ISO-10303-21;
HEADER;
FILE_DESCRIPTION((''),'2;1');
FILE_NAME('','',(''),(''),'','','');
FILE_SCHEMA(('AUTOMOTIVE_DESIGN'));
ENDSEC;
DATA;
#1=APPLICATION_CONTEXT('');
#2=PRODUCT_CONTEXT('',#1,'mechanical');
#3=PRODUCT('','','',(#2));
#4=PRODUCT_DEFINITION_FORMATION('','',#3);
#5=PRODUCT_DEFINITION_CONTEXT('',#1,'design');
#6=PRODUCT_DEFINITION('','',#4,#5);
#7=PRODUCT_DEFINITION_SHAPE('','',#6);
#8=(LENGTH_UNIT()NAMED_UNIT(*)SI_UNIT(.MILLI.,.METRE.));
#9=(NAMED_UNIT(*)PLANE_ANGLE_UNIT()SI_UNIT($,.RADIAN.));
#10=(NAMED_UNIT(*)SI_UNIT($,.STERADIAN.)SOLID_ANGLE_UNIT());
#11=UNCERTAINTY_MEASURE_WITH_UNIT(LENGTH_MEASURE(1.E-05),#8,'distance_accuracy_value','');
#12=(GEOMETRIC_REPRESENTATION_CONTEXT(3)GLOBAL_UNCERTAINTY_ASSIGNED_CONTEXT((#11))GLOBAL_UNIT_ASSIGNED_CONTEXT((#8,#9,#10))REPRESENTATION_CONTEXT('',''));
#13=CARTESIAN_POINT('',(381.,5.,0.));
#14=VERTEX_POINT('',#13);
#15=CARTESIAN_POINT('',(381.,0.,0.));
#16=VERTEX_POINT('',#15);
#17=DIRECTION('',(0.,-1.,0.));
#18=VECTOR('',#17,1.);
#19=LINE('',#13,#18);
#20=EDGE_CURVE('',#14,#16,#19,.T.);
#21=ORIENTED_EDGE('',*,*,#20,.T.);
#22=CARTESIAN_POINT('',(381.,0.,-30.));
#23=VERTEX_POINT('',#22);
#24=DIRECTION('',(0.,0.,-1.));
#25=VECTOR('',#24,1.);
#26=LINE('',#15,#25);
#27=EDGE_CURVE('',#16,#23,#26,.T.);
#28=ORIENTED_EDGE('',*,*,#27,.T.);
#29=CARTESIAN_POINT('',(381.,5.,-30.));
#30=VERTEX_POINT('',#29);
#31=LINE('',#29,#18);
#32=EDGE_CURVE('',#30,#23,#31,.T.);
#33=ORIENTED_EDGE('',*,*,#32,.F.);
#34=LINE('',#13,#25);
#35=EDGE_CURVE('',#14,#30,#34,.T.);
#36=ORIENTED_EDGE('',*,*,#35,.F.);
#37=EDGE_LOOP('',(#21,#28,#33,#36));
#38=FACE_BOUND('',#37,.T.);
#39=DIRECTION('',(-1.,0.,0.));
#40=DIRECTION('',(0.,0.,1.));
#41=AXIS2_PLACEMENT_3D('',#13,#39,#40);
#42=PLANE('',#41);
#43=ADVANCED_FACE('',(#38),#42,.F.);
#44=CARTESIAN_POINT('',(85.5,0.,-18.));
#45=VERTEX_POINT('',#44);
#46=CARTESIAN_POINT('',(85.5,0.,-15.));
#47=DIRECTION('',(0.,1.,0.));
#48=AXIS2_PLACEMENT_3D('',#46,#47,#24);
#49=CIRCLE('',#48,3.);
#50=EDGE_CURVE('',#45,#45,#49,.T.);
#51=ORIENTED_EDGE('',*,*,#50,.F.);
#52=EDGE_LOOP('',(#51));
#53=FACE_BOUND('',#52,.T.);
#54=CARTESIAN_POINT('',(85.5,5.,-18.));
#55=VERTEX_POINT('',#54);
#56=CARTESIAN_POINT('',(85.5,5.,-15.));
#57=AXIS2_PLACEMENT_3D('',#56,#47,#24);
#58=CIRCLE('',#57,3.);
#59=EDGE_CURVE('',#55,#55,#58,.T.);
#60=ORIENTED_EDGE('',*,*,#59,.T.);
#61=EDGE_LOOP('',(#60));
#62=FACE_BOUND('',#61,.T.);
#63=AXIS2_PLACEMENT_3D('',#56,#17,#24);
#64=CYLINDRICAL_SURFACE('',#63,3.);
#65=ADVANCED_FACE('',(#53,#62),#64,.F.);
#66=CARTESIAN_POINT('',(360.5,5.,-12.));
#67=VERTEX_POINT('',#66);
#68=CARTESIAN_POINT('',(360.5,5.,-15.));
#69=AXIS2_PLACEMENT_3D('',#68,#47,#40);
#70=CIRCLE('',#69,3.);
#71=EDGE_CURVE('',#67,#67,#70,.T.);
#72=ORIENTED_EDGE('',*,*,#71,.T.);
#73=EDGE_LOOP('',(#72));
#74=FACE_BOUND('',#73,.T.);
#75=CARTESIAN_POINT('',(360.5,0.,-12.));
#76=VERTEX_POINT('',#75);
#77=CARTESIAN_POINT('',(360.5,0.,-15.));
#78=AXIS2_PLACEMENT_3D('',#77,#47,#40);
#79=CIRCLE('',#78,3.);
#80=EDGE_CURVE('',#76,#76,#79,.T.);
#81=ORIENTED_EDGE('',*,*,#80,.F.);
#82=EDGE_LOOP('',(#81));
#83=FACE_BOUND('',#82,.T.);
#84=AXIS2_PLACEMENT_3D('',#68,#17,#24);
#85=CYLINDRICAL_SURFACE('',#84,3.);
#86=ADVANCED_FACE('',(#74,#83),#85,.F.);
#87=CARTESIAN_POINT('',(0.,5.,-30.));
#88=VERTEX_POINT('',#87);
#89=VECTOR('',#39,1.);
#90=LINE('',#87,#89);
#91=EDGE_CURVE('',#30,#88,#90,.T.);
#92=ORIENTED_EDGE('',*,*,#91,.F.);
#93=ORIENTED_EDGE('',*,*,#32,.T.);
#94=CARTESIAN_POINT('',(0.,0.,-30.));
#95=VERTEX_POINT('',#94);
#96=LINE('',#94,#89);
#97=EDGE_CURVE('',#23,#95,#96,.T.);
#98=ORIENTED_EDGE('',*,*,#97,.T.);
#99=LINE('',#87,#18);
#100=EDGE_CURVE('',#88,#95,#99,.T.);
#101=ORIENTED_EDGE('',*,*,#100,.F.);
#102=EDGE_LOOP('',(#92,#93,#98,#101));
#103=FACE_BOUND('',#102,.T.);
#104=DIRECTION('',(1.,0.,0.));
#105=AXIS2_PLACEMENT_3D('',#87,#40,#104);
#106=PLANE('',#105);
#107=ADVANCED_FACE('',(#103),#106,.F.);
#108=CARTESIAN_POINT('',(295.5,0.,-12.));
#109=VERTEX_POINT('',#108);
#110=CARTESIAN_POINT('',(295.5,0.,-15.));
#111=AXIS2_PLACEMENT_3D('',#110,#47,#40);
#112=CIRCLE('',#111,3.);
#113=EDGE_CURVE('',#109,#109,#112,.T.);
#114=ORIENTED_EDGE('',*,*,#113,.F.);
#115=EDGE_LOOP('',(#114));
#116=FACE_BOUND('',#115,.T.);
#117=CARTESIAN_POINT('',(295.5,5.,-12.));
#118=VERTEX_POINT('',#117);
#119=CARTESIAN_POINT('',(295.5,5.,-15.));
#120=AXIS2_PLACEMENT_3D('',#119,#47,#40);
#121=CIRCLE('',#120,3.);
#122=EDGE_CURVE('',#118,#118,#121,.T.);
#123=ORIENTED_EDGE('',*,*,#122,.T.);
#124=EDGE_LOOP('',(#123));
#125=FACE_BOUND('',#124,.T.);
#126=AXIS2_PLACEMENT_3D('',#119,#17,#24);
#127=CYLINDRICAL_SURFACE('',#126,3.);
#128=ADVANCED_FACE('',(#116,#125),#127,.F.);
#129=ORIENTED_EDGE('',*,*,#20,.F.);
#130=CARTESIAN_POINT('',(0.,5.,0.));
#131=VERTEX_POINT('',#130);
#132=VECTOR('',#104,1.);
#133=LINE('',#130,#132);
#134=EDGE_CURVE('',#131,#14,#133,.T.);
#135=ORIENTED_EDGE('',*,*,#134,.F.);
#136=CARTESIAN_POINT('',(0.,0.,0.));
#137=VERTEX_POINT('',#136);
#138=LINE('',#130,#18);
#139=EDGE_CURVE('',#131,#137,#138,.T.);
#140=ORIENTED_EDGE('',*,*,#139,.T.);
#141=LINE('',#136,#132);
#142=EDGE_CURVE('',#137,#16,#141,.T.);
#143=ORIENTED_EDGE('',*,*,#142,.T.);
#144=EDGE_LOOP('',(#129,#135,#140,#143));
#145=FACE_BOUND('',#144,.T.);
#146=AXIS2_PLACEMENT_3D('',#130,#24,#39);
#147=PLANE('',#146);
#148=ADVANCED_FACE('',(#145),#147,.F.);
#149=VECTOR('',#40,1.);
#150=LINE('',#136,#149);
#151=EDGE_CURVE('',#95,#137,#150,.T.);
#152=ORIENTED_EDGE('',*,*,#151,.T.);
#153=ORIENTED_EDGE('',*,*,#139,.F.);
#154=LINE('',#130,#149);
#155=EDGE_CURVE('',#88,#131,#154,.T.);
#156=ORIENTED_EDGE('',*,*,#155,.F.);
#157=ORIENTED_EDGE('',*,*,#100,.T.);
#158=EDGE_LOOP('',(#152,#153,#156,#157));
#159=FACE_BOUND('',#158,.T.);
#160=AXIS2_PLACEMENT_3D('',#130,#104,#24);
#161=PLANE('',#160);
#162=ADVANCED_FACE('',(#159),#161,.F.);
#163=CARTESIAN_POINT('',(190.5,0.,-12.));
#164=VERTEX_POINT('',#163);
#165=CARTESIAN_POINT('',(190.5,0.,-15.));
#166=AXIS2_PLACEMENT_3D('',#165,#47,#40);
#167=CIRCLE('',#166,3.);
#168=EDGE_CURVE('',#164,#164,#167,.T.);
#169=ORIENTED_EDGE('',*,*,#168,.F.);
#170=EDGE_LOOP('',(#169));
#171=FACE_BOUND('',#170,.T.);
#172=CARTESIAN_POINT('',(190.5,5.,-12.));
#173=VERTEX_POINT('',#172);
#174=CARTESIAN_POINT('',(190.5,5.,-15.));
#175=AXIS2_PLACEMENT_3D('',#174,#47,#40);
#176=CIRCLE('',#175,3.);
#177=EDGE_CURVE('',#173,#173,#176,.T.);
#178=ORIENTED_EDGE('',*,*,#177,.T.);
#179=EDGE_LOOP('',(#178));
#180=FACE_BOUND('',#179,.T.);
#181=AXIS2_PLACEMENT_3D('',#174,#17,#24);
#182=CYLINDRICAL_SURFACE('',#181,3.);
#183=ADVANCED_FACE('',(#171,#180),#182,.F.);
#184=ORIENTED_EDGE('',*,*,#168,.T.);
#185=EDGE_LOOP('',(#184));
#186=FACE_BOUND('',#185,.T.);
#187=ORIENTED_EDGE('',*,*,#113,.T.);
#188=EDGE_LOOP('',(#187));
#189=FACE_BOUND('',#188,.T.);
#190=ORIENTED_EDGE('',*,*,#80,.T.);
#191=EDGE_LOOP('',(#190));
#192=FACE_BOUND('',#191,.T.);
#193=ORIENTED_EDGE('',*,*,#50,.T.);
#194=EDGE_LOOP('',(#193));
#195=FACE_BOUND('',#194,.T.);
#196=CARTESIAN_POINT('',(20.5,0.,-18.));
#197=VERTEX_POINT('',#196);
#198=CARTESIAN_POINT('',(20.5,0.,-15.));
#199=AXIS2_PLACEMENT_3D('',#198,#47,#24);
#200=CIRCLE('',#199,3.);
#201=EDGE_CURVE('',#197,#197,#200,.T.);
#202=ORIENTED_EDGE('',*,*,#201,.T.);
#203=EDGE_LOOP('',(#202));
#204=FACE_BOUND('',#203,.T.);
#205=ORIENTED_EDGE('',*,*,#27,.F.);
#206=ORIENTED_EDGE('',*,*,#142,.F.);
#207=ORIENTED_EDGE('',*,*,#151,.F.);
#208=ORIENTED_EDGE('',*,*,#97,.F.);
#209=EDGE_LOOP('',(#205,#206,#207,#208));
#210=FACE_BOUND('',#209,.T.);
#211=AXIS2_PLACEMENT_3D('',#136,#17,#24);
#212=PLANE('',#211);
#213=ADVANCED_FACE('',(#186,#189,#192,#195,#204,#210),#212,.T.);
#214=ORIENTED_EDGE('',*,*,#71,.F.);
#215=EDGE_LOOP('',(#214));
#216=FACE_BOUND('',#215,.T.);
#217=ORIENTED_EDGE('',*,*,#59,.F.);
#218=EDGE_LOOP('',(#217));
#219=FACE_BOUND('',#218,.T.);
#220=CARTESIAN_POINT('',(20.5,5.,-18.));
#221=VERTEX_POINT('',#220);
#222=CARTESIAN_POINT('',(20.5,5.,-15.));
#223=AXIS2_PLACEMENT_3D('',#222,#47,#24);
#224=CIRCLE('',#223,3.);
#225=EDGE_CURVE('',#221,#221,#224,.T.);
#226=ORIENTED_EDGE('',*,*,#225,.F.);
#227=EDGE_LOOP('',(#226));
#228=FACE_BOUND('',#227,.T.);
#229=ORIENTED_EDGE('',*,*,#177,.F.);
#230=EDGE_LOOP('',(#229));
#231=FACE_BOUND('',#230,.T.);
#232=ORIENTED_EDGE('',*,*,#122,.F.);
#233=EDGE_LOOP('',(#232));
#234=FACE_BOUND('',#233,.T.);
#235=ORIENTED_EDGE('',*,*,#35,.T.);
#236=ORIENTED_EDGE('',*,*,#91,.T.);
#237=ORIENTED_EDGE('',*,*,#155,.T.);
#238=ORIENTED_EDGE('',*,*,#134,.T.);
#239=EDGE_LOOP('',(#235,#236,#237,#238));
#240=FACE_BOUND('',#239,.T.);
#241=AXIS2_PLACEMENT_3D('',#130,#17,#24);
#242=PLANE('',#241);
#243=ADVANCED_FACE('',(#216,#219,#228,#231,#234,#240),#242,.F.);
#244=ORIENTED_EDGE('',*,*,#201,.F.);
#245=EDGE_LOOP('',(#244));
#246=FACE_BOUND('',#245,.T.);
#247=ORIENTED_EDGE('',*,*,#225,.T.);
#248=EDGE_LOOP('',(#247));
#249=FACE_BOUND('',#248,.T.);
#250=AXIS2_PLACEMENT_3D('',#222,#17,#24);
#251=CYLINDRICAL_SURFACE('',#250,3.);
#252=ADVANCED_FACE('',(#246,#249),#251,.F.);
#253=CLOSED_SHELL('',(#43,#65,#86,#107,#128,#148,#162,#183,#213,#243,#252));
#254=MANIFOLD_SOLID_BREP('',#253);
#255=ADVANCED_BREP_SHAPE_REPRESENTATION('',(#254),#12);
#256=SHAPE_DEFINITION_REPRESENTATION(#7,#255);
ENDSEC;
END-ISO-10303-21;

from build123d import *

# Parameters (mm, degrees)
SKETCH1_W           = 381
SKETCH1_H           = 30
SKETCH1_R           = 3
BOSS_EXTRUDE1_DEPTH = 5


with BuildPart() as part:
    # Sketch1 → Boss-Extrude1 (new body)
    with BuildSketch(Plane(origin=(0, 0, 0), x_dir=(1, 0, 0), z_dir=(0, 1, 0))):
        with Locations((190.5, 15)):
            Rectangle(SKETCH1_W, SKETCH1_H)
        with Locations(Location((190.5, 15, 0), (0, 0, 270))):
            Circle(SKETCH1_R, mode=Mode.SUBTRACT)
        with Locations(Location((295.5, 15, 0), (0, 0, 270))):
            Circle(SKETCH1_R, mode=Mode.SUBTRACT)
        with Locations(Location((360.5, 15, 0), (0, 0, 270))):
            Circle(SKETCH1_R, mode=Mode.SUBTRACT)
        with Locations(Location((20.5, 15, 0), (0, 0, 90))):
            Circle(SKETCH1_R, mode=Mode.SUBTRACT)
        with Locations(Location((85.5, 15, 0), (0, 0, 90))):
            Circle(SKETCH1_R, mode=Mode.SUBTRACT)
    extrude(amount=BOSS_EXTRUDE1_DEPTH)


solid = part.part
